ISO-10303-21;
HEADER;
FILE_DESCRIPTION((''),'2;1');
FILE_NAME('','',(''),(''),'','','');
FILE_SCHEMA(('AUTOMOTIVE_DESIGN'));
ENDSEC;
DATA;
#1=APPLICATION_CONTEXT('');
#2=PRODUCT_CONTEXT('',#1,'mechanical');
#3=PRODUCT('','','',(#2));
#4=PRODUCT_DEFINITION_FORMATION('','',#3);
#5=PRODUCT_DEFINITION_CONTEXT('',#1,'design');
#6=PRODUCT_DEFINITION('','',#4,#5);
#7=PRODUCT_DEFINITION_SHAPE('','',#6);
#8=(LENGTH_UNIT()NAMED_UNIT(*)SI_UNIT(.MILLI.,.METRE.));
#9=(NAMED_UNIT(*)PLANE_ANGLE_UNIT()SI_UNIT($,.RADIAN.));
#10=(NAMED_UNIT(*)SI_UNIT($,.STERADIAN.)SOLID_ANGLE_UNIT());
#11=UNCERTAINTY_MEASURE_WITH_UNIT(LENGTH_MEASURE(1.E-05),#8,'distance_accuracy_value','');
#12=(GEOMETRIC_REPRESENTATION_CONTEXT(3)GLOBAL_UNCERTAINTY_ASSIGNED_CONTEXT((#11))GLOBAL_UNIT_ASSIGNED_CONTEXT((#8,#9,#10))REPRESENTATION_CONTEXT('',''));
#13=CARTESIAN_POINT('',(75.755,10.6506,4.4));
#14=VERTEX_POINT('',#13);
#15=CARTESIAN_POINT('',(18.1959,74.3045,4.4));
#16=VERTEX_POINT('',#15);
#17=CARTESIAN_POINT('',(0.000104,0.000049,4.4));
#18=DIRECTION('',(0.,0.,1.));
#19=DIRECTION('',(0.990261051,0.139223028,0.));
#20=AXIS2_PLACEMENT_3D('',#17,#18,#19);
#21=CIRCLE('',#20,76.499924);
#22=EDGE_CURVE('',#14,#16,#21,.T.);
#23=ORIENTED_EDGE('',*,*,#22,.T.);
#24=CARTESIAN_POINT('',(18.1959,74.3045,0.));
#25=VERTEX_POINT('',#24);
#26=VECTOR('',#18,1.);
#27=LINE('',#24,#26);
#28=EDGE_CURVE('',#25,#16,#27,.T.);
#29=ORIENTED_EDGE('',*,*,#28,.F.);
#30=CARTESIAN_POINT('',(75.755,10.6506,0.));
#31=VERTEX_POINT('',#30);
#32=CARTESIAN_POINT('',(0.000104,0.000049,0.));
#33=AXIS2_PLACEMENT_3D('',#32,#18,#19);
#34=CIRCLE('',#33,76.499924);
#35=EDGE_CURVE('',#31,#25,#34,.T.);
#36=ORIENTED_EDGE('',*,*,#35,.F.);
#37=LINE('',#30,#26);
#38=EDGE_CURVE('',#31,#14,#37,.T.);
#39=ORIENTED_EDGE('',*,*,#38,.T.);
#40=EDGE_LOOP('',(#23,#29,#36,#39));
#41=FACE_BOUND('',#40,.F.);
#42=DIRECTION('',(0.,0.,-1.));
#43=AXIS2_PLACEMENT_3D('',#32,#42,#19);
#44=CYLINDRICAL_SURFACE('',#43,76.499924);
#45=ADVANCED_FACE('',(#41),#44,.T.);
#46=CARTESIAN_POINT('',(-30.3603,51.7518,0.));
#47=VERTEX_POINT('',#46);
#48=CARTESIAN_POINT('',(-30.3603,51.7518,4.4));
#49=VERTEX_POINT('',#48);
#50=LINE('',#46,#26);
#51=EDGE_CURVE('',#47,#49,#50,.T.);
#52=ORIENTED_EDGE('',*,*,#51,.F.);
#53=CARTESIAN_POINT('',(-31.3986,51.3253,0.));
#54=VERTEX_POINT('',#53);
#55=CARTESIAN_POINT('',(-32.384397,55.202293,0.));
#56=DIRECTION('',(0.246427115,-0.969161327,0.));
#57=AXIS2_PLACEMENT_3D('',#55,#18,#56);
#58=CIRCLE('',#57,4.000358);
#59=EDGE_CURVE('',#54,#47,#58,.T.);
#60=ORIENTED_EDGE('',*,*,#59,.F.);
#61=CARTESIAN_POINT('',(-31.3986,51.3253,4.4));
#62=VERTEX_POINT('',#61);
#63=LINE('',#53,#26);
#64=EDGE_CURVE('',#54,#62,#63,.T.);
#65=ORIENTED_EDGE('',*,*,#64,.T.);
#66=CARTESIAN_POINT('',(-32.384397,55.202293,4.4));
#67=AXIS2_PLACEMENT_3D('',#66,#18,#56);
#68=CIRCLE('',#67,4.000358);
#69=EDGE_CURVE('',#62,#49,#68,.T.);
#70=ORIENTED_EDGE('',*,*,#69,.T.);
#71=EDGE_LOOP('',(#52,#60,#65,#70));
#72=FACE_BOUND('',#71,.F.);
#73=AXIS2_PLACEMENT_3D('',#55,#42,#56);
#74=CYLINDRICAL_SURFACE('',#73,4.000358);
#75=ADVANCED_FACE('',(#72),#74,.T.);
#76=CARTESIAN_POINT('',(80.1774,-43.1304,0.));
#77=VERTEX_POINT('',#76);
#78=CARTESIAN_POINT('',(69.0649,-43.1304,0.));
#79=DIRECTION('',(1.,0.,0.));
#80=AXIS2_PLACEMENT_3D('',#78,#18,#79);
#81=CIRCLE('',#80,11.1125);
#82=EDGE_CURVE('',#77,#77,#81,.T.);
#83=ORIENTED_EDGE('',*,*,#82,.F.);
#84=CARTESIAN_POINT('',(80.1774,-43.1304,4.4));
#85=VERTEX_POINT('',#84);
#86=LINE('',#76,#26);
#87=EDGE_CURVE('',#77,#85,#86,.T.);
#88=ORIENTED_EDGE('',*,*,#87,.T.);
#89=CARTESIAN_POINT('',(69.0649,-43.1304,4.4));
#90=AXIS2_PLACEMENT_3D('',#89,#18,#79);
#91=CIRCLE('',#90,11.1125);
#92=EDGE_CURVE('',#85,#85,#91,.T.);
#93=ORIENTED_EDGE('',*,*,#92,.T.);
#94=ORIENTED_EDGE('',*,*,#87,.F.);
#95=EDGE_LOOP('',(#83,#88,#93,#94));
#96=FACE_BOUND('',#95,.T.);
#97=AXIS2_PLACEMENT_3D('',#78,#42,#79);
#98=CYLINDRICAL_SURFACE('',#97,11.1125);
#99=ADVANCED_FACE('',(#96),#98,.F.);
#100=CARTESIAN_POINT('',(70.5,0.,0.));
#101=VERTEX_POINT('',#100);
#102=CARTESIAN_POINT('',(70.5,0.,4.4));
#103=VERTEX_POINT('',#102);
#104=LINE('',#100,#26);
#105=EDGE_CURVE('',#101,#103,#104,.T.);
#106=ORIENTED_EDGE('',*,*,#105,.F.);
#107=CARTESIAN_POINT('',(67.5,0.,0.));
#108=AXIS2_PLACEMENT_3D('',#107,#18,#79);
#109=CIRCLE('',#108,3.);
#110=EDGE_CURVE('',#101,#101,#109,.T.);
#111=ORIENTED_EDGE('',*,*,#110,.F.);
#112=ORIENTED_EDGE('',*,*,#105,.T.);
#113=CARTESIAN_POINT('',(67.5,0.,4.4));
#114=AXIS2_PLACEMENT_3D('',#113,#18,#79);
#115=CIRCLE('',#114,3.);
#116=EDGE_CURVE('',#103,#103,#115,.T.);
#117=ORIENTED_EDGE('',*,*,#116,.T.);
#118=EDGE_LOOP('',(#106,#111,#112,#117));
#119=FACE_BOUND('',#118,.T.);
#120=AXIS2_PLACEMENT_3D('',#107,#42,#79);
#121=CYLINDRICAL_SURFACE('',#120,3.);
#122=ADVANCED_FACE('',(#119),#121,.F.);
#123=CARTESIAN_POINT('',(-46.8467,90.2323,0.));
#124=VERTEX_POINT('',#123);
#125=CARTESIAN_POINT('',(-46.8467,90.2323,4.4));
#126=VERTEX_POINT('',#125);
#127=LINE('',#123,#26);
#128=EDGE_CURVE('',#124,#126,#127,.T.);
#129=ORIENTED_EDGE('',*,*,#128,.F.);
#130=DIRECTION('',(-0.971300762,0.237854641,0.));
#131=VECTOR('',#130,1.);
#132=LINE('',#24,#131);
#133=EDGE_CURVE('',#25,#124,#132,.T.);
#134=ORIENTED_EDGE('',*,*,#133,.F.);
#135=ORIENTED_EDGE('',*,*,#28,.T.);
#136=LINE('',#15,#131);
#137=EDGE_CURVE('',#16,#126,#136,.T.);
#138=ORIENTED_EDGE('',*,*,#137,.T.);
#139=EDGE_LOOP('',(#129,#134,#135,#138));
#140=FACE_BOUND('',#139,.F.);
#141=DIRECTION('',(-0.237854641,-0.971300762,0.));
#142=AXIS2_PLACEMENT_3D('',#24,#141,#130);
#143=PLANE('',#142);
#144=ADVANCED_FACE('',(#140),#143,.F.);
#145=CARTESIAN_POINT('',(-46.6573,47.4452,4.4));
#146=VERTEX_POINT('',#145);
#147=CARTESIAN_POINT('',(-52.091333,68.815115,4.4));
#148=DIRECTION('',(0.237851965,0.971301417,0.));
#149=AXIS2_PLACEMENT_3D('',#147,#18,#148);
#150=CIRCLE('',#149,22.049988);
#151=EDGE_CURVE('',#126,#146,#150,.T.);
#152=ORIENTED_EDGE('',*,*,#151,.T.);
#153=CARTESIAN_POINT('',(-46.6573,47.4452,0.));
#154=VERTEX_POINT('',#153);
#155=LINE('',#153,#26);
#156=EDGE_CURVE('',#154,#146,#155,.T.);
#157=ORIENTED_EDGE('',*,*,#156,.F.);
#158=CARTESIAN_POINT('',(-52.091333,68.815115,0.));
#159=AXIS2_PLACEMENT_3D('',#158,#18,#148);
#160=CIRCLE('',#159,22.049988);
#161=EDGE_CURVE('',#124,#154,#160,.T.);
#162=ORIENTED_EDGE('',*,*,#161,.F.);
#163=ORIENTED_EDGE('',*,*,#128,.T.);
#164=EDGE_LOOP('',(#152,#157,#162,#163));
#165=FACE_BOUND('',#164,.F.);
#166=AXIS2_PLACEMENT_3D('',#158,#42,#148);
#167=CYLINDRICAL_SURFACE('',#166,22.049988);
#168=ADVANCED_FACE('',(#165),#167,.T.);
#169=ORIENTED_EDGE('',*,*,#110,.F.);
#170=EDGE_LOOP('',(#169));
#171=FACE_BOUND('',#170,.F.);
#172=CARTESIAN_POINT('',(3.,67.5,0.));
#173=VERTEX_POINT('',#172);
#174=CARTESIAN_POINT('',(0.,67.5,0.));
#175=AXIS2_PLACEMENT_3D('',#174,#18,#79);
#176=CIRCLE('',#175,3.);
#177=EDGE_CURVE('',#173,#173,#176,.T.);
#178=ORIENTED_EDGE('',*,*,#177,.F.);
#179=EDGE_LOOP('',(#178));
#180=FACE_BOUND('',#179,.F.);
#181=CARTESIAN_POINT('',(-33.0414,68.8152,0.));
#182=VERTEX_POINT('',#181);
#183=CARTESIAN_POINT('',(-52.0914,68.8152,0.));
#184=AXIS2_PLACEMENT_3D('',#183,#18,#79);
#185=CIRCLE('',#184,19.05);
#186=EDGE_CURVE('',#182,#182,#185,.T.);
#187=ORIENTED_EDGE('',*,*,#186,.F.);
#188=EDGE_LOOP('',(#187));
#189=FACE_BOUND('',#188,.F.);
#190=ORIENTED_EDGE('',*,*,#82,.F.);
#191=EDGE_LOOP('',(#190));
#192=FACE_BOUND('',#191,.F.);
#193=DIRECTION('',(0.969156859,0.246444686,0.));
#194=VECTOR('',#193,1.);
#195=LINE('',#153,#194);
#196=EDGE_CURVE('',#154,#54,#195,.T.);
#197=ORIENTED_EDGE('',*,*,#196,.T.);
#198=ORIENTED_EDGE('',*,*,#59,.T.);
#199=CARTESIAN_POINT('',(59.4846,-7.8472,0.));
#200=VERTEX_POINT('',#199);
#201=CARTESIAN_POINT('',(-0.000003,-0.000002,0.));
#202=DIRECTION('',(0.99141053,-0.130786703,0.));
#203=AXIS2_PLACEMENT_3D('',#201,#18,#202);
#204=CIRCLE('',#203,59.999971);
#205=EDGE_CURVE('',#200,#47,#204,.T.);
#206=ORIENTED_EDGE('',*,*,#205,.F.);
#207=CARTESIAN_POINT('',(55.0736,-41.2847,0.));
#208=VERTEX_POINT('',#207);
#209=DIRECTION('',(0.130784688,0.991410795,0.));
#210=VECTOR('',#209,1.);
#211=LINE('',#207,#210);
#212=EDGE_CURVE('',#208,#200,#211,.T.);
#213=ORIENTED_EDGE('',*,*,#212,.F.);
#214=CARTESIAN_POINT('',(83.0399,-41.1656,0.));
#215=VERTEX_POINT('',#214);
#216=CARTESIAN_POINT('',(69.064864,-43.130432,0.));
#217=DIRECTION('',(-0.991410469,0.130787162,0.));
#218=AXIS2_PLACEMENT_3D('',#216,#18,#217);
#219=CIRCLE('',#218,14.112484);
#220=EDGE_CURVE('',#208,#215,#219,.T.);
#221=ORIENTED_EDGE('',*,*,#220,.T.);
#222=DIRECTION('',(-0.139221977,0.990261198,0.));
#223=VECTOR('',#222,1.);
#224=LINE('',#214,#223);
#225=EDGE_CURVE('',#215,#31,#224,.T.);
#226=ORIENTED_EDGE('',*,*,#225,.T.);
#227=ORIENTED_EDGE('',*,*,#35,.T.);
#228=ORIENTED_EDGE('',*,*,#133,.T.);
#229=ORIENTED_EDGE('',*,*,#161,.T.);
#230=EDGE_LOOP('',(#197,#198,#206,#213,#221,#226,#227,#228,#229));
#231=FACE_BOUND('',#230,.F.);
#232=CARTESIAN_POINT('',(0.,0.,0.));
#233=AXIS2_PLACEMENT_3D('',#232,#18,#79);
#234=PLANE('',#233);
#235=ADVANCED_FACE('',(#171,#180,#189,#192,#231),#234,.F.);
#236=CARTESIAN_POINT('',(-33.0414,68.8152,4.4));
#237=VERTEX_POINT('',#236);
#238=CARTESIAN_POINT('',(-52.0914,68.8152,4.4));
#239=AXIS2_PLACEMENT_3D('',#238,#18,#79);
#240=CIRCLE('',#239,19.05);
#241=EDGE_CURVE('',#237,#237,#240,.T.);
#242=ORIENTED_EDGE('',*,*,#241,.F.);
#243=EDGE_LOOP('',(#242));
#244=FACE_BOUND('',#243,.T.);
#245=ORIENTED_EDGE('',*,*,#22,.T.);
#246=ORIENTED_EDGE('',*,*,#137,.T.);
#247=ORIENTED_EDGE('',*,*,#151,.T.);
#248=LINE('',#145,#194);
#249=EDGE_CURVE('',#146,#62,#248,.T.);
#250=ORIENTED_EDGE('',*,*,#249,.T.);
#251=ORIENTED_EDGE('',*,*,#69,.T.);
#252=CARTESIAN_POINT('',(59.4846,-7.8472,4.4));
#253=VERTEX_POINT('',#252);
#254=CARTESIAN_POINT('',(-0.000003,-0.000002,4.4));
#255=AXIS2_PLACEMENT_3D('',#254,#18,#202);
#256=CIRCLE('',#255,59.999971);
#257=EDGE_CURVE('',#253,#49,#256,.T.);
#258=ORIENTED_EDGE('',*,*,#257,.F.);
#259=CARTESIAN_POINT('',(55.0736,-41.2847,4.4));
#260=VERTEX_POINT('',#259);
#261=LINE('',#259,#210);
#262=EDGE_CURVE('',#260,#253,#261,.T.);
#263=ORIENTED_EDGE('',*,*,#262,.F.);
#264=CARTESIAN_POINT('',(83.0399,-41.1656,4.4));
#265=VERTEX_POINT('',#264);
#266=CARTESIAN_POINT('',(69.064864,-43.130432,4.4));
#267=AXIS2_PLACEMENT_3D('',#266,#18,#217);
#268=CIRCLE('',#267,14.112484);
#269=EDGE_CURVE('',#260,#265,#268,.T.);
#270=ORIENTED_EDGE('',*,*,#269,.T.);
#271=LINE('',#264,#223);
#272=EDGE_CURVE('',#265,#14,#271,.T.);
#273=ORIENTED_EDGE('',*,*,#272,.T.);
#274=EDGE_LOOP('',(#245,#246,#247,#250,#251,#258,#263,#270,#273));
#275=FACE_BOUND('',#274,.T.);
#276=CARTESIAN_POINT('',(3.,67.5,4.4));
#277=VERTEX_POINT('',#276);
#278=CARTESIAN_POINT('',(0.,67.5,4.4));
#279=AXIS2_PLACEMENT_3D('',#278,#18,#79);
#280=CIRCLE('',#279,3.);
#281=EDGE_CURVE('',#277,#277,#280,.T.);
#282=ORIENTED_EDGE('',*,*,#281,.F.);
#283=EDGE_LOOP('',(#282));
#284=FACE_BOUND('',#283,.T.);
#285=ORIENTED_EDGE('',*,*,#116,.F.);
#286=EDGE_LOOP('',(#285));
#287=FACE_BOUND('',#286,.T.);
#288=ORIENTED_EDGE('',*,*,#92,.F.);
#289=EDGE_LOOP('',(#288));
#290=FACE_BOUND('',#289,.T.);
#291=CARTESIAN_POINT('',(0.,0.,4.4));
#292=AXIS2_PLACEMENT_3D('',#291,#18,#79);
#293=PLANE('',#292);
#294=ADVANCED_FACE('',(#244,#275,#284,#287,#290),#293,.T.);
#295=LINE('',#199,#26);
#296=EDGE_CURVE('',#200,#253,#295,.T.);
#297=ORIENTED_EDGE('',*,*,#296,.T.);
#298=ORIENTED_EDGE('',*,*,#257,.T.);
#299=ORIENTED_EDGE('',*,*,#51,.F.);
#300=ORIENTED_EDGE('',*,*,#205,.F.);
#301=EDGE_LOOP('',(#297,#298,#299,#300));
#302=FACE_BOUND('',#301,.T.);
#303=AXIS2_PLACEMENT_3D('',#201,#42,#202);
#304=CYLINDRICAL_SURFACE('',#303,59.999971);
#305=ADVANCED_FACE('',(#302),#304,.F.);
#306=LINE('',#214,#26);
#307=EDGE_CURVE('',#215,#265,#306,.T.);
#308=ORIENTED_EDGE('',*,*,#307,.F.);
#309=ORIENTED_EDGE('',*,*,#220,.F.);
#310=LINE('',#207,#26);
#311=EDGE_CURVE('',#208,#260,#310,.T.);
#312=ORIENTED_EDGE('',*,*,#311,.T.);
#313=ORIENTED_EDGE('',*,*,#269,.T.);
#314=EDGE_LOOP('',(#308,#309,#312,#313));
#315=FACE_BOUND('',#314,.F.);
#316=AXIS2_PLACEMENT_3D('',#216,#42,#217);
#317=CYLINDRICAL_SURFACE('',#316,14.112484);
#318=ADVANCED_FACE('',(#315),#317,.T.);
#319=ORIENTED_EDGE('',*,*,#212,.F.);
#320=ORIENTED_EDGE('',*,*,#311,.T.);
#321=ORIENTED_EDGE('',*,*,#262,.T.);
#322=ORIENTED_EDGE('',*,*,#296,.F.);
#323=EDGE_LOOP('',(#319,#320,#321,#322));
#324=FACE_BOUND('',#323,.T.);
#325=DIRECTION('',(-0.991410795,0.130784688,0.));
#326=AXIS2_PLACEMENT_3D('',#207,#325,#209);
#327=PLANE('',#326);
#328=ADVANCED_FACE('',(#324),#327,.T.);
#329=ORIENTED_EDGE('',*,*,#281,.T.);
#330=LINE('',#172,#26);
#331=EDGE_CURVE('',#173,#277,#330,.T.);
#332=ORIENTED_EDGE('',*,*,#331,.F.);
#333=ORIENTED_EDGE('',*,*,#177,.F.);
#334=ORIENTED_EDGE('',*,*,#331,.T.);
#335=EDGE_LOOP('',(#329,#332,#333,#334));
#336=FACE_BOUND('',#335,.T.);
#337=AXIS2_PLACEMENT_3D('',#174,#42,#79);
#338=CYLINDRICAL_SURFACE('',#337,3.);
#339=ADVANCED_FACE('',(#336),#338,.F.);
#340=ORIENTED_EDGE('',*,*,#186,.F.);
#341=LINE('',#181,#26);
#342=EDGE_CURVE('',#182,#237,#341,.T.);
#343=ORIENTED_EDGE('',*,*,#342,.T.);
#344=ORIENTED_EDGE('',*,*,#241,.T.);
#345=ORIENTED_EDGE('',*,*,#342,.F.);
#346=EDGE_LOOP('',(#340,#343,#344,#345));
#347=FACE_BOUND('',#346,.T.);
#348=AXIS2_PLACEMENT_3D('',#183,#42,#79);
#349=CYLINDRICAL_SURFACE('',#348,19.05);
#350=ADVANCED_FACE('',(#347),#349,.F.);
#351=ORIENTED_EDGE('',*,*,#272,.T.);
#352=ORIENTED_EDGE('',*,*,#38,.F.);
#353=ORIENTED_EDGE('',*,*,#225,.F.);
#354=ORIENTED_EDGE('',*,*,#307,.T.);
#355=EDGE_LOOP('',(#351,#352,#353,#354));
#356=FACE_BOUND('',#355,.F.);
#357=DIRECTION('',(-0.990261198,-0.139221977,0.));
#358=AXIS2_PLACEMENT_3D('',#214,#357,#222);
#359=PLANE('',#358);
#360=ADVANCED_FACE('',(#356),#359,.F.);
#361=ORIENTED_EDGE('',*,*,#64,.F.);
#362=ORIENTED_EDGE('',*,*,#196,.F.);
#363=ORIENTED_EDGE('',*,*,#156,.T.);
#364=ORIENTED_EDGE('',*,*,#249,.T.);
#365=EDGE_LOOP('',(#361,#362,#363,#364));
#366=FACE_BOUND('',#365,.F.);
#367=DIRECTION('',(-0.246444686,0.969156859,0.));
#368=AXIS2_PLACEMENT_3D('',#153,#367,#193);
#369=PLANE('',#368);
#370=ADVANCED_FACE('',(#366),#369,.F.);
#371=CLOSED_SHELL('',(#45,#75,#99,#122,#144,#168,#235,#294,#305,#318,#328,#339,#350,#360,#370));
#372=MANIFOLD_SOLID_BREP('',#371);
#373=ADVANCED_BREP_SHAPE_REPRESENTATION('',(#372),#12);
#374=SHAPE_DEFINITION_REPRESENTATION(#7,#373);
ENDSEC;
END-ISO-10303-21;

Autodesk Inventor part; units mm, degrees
ref_plane "YZ Plane" through (0, 0, 0) normal (1, 0, 0) x (0, 1, 0)
ref_plane "XZ Plane" through (0, 0, 0) normal (0, 1, 0) x (-1, 0, 0)
ref_plane "XY Plane" through (0, 0, 0) normal (0, 0, 1) x (1, 0, 0)
ref_plane "Work Plane1" through (0, 0, 0) normal (0, 0, 1) x (1, 0, 0)
sketch "Sketch1" plane through (0, 0, 0) normal (0, 0, 1) x (1, 0, 0)
  circle A0 centre (0, 0) radius 63 construction
  circle A1 centre (-52.0914, 68.8152) radius 9 construction
  circle A2 centre (69.0649, -43.1304) radius 11.1125 projected
  arc A3 (55.0736, -41.2847) -> (83.0399, -41.1656) centre (69.0649, -43.1304) ccw
  circle A4 centre (-52.0914, 68.8152) radius 19.05
  arc A5 (-46.8467, 90.2323) -> (-46.6573, 47.4452) centre (-52.0914, 68.8152) ccw
  circle A6 centre (0, 0) radius 72.5 construction
  circle A7 centre (67.5, 0) radius 3 projected
  circle A8 centre (0, 67.5) radius 3 projected
  arc A9 (75.755, 10.6506) -> (18.1959, 74.3045) centre (0, 0) ccw
  line L0 (83.0399, -41.1656) -> (75.755, 10.6506)
  line L1 (18.1959, 74.3045) -> (-46.8467, 90.2323)
  arc A10 (59.4846, -7.8472) -> (-30.3603, 51.7518) centre (0, 0) ccw
  line L2 (-46.6573, 47.4452) -> (-31.3986, 51.3253)
  arc A11 (-31.3986, 51.3253) -> (-30.3603, 51.7518) centre (-32.3843, 55.202) ccw
  line L3 (55.0736, -41.2847) -> (59.4846, -7.8472)
  point P0 (0, 0)
  point P1 (73.2628, -22.0184)
  point P2 (80.1363, -20.5125)
  point P3 (-30.8402, 51.4673)
  dimension "d1" = 3
  dimension "d2" = 38.1
  dimension "d4" = 3
  dimension "d5" = 4
  dimension "d16" = 4
  dimension "d17" = 120
extrude "Extrusion1" add sketch "Sketch1" along normal blind 4.4
properties part number "BackMotorPlate"
